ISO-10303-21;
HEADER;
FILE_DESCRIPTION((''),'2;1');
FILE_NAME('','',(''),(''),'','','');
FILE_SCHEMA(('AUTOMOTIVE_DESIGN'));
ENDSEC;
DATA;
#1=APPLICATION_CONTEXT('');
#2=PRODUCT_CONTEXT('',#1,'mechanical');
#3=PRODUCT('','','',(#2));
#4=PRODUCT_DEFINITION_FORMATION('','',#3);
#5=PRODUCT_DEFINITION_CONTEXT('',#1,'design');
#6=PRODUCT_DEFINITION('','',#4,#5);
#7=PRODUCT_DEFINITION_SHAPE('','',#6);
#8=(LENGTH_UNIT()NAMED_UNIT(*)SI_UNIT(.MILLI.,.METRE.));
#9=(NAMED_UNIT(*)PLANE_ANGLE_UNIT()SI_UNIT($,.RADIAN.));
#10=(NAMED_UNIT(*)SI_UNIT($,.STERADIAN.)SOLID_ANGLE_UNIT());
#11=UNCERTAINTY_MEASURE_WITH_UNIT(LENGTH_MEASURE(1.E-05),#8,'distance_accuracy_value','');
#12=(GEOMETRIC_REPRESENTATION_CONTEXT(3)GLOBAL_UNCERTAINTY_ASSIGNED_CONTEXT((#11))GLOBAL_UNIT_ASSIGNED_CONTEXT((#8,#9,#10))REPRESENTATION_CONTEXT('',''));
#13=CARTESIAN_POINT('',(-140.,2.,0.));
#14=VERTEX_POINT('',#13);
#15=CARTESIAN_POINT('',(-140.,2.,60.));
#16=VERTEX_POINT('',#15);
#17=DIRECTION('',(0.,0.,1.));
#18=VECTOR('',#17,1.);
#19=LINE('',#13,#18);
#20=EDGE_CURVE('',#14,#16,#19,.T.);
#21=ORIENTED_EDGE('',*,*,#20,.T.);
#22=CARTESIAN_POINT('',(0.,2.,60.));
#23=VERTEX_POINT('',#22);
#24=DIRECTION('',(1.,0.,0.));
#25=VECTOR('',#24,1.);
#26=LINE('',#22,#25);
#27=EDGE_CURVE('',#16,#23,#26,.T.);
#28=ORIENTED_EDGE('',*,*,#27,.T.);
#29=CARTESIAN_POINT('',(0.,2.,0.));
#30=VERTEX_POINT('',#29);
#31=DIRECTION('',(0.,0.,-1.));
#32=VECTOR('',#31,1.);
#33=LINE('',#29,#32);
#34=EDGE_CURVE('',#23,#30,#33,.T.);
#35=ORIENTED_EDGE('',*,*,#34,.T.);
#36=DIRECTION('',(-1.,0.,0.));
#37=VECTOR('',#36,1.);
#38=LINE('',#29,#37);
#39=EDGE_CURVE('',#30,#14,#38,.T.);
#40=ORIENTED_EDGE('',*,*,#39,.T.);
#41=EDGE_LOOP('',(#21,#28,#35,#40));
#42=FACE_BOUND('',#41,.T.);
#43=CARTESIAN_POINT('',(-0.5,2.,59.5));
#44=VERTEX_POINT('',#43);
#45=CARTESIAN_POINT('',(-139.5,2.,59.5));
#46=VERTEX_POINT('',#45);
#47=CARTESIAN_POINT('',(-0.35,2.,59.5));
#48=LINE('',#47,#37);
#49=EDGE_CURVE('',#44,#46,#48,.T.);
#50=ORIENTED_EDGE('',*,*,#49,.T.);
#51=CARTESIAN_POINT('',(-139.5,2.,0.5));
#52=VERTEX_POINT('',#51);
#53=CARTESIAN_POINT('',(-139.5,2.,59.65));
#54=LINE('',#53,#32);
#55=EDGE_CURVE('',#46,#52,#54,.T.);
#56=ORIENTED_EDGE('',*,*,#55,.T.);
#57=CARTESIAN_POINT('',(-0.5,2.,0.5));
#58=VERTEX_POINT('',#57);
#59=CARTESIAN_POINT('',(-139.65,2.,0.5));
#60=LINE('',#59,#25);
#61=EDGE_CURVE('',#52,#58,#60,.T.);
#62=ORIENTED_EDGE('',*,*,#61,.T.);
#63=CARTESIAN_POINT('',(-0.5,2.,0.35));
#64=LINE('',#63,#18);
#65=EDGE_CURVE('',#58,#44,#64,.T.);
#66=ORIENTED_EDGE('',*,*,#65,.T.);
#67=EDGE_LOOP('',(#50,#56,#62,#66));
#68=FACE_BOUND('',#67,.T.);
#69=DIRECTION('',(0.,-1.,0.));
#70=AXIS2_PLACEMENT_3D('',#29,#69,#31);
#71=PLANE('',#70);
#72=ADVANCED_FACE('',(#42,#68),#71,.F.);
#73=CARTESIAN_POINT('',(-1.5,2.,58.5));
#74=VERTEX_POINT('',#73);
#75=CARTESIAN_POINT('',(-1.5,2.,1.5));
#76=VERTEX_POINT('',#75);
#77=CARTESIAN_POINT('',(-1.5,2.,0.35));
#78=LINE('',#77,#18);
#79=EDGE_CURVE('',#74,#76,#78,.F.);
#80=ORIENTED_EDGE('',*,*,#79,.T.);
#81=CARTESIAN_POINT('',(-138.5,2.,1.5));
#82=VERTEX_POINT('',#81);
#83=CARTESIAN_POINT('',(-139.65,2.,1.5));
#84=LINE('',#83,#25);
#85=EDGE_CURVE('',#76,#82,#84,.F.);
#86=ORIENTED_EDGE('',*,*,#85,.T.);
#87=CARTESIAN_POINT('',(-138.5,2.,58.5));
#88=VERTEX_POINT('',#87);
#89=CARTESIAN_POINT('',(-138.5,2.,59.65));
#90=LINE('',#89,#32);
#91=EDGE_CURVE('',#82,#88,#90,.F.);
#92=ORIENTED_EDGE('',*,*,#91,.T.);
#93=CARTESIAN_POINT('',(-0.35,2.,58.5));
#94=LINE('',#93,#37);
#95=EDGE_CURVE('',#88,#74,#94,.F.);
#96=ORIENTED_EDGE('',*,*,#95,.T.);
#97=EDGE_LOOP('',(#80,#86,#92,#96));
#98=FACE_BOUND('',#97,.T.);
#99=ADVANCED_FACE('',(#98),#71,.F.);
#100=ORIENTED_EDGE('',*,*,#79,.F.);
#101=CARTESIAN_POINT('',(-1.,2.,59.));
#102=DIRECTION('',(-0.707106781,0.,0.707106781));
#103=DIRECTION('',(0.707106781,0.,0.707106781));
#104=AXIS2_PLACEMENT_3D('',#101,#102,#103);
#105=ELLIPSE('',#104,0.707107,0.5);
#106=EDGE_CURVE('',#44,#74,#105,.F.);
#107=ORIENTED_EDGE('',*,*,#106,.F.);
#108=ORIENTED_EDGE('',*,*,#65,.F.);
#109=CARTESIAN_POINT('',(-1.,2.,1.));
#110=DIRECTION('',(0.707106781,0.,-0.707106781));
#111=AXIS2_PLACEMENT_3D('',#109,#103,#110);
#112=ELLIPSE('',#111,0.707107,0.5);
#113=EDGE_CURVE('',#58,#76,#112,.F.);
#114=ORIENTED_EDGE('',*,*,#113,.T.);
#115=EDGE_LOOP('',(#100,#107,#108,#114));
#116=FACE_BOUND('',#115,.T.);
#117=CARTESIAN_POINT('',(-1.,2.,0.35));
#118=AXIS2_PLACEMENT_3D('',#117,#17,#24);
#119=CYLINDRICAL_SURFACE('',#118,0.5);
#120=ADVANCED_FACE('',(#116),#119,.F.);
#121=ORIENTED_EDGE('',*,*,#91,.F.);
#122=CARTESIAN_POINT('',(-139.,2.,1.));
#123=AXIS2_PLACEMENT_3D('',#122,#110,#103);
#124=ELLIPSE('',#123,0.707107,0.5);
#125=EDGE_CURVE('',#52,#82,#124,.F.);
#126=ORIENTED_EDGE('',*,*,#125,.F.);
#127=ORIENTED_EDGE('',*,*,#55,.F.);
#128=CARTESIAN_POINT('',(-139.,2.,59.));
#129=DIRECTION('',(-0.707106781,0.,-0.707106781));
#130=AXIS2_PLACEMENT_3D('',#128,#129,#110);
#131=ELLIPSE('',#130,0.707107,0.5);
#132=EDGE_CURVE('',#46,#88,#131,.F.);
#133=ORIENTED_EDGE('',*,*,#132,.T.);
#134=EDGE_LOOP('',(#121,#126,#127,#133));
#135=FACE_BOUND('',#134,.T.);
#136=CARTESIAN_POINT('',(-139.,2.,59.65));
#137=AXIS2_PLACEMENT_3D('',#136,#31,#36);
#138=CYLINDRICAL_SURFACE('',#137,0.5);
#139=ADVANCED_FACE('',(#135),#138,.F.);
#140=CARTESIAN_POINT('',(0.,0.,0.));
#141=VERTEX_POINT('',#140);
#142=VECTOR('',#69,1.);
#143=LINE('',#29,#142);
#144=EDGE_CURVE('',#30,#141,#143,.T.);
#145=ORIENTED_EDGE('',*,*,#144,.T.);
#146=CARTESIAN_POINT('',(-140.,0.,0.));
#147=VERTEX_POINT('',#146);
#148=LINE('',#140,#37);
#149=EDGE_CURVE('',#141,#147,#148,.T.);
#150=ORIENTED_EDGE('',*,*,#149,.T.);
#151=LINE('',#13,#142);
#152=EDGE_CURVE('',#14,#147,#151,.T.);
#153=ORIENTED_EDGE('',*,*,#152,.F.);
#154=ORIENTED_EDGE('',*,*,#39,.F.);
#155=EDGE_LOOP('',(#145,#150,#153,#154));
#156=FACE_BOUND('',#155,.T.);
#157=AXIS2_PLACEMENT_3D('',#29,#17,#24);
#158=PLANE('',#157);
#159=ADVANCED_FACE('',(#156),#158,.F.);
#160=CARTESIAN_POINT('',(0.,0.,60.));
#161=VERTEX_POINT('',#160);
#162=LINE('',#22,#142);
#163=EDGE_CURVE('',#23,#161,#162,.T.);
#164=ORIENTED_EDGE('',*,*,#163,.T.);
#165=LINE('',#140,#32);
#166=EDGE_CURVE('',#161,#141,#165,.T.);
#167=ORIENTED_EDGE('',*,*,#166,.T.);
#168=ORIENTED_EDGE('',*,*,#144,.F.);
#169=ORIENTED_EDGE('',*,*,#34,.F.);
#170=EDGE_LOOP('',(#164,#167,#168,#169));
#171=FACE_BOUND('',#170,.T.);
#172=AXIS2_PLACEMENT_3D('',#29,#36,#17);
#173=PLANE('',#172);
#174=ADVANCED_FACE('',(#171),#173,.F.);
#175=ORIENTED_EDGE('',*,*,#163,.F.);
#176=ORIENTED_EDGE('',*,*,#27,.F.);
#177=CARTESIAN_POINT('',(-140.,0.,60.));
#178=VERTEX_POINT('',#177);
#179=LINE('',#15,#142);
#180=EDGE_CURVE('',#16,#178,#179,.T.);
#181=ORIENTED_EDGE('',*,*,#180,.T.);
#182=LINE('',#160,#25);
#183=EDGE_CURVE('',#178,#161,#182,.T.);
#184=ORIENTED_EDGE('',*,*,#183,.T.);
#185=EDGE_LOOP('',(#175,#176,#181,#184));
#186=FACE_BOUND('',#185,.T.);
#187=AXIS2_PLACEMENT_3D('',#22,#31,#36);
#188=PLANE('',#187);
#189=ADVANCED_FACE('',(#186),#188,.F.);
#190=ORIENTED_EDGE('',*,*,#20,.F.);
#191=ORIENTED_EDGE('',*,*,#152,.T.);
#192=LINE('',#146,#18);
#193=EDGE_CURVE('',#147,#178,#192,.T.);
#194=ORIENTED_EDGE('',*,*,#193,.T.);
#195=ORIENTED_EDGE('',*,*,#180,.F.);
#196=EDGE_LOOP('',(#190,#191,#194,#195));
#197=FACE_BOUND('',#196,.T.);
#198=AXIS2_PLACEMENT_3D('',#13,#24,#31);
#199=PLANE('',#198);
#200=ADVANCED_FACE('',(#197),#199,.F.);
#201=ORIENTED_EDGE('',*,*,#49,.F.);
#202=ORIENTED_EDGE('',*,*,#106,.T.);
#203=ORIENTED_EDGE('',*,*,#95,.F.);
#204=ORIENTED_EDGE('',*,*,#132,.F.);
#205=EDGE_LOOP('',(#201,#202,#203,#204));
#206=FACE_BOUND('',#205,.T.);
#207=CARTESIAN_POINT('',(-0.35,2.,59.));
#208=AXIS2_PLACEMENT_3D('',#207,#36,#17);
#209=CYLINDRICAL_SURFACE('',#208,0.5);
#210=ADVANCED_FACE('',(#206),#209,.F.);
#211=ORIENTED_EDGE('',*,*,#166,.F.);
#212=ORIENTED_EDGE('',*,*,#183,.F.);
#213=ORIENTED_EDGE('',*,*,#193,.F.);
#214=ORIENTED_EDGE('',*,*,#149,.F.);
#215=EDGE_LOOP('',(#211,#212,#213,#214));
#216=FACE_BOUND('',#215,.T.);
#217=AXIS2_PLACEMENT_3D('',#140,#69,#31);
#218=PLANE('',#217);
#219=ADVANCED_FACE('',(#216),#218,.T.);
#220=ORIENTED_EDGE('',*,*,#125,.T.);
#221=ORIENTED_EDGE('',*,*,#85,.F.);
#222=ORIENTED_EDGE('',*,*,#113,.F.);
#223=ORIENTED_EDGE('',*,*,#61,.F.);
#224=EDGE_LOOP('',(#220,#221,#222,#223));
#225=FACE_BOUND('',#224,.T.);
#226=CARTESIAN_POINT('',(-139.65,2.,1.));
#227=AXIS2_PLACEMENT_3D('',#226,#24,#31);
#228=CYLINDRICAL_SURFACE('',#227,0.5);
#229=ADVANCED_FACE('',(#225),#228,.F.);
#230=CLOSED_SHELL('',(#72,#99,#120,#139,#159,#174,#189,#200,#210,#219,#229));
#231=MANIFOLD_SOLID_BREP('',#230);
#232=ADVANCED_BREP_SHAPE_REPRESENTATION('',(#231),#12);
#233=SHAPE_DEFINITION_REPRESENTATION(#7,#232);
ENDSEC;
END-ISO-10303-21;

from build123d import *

# Parameters (mm, degrees)
SKETCH1_W            = 140
SKETCH1_H            = 60
BOSS_EXTRUDE1_DEPTH  = 2
CUT_SWEEP1_PROFILE_R = 0.5


with BuildPart() as part:
    # Sketch1 → Boss-Extrude1 (new body)
    with BuildSketch(Plane(origin=(0, 0, 0), x_dir=(1, 0, 0), z_dir=(0, 1, 0))):
        with Locations((-70, -30)):
            Rectangle(SKETCH1_W, SKETCH1_H)
    extrude(amount=BOSS_EXTRUDE1_DEPTH)

    # Cut-Sweep1: sweep along a path in Sketch2
    with BuildLine(Plane(origin=(0, 2, 0), x_dir=(1, 0, 0), z_dir=(0, 1, 0))) as cut_sweep1_path:
        Line((-1, -59), (-1, -1))
        Line((-1, -1), (-139, -1))
        Line((-139, -1), (-139, -59))
        Line((-139, -59), (-1, -59))
    # Cut-Sweep1 profile (on start of the path) → Cut-Sweep1 (sweep, cut)
    with BuildSketch(Plane(origin=(-1, 2, 59), x_dir=(-1, 0, 0), z_dir=(0, 0, -1))):
        Circle(CUT_SWEEP1_PROFILE_R)
    sweep(path=cut_sweep1_path.line, transition=Transition.RIGHT, mode=Mode.SUBTRACT)


solid = part.part
